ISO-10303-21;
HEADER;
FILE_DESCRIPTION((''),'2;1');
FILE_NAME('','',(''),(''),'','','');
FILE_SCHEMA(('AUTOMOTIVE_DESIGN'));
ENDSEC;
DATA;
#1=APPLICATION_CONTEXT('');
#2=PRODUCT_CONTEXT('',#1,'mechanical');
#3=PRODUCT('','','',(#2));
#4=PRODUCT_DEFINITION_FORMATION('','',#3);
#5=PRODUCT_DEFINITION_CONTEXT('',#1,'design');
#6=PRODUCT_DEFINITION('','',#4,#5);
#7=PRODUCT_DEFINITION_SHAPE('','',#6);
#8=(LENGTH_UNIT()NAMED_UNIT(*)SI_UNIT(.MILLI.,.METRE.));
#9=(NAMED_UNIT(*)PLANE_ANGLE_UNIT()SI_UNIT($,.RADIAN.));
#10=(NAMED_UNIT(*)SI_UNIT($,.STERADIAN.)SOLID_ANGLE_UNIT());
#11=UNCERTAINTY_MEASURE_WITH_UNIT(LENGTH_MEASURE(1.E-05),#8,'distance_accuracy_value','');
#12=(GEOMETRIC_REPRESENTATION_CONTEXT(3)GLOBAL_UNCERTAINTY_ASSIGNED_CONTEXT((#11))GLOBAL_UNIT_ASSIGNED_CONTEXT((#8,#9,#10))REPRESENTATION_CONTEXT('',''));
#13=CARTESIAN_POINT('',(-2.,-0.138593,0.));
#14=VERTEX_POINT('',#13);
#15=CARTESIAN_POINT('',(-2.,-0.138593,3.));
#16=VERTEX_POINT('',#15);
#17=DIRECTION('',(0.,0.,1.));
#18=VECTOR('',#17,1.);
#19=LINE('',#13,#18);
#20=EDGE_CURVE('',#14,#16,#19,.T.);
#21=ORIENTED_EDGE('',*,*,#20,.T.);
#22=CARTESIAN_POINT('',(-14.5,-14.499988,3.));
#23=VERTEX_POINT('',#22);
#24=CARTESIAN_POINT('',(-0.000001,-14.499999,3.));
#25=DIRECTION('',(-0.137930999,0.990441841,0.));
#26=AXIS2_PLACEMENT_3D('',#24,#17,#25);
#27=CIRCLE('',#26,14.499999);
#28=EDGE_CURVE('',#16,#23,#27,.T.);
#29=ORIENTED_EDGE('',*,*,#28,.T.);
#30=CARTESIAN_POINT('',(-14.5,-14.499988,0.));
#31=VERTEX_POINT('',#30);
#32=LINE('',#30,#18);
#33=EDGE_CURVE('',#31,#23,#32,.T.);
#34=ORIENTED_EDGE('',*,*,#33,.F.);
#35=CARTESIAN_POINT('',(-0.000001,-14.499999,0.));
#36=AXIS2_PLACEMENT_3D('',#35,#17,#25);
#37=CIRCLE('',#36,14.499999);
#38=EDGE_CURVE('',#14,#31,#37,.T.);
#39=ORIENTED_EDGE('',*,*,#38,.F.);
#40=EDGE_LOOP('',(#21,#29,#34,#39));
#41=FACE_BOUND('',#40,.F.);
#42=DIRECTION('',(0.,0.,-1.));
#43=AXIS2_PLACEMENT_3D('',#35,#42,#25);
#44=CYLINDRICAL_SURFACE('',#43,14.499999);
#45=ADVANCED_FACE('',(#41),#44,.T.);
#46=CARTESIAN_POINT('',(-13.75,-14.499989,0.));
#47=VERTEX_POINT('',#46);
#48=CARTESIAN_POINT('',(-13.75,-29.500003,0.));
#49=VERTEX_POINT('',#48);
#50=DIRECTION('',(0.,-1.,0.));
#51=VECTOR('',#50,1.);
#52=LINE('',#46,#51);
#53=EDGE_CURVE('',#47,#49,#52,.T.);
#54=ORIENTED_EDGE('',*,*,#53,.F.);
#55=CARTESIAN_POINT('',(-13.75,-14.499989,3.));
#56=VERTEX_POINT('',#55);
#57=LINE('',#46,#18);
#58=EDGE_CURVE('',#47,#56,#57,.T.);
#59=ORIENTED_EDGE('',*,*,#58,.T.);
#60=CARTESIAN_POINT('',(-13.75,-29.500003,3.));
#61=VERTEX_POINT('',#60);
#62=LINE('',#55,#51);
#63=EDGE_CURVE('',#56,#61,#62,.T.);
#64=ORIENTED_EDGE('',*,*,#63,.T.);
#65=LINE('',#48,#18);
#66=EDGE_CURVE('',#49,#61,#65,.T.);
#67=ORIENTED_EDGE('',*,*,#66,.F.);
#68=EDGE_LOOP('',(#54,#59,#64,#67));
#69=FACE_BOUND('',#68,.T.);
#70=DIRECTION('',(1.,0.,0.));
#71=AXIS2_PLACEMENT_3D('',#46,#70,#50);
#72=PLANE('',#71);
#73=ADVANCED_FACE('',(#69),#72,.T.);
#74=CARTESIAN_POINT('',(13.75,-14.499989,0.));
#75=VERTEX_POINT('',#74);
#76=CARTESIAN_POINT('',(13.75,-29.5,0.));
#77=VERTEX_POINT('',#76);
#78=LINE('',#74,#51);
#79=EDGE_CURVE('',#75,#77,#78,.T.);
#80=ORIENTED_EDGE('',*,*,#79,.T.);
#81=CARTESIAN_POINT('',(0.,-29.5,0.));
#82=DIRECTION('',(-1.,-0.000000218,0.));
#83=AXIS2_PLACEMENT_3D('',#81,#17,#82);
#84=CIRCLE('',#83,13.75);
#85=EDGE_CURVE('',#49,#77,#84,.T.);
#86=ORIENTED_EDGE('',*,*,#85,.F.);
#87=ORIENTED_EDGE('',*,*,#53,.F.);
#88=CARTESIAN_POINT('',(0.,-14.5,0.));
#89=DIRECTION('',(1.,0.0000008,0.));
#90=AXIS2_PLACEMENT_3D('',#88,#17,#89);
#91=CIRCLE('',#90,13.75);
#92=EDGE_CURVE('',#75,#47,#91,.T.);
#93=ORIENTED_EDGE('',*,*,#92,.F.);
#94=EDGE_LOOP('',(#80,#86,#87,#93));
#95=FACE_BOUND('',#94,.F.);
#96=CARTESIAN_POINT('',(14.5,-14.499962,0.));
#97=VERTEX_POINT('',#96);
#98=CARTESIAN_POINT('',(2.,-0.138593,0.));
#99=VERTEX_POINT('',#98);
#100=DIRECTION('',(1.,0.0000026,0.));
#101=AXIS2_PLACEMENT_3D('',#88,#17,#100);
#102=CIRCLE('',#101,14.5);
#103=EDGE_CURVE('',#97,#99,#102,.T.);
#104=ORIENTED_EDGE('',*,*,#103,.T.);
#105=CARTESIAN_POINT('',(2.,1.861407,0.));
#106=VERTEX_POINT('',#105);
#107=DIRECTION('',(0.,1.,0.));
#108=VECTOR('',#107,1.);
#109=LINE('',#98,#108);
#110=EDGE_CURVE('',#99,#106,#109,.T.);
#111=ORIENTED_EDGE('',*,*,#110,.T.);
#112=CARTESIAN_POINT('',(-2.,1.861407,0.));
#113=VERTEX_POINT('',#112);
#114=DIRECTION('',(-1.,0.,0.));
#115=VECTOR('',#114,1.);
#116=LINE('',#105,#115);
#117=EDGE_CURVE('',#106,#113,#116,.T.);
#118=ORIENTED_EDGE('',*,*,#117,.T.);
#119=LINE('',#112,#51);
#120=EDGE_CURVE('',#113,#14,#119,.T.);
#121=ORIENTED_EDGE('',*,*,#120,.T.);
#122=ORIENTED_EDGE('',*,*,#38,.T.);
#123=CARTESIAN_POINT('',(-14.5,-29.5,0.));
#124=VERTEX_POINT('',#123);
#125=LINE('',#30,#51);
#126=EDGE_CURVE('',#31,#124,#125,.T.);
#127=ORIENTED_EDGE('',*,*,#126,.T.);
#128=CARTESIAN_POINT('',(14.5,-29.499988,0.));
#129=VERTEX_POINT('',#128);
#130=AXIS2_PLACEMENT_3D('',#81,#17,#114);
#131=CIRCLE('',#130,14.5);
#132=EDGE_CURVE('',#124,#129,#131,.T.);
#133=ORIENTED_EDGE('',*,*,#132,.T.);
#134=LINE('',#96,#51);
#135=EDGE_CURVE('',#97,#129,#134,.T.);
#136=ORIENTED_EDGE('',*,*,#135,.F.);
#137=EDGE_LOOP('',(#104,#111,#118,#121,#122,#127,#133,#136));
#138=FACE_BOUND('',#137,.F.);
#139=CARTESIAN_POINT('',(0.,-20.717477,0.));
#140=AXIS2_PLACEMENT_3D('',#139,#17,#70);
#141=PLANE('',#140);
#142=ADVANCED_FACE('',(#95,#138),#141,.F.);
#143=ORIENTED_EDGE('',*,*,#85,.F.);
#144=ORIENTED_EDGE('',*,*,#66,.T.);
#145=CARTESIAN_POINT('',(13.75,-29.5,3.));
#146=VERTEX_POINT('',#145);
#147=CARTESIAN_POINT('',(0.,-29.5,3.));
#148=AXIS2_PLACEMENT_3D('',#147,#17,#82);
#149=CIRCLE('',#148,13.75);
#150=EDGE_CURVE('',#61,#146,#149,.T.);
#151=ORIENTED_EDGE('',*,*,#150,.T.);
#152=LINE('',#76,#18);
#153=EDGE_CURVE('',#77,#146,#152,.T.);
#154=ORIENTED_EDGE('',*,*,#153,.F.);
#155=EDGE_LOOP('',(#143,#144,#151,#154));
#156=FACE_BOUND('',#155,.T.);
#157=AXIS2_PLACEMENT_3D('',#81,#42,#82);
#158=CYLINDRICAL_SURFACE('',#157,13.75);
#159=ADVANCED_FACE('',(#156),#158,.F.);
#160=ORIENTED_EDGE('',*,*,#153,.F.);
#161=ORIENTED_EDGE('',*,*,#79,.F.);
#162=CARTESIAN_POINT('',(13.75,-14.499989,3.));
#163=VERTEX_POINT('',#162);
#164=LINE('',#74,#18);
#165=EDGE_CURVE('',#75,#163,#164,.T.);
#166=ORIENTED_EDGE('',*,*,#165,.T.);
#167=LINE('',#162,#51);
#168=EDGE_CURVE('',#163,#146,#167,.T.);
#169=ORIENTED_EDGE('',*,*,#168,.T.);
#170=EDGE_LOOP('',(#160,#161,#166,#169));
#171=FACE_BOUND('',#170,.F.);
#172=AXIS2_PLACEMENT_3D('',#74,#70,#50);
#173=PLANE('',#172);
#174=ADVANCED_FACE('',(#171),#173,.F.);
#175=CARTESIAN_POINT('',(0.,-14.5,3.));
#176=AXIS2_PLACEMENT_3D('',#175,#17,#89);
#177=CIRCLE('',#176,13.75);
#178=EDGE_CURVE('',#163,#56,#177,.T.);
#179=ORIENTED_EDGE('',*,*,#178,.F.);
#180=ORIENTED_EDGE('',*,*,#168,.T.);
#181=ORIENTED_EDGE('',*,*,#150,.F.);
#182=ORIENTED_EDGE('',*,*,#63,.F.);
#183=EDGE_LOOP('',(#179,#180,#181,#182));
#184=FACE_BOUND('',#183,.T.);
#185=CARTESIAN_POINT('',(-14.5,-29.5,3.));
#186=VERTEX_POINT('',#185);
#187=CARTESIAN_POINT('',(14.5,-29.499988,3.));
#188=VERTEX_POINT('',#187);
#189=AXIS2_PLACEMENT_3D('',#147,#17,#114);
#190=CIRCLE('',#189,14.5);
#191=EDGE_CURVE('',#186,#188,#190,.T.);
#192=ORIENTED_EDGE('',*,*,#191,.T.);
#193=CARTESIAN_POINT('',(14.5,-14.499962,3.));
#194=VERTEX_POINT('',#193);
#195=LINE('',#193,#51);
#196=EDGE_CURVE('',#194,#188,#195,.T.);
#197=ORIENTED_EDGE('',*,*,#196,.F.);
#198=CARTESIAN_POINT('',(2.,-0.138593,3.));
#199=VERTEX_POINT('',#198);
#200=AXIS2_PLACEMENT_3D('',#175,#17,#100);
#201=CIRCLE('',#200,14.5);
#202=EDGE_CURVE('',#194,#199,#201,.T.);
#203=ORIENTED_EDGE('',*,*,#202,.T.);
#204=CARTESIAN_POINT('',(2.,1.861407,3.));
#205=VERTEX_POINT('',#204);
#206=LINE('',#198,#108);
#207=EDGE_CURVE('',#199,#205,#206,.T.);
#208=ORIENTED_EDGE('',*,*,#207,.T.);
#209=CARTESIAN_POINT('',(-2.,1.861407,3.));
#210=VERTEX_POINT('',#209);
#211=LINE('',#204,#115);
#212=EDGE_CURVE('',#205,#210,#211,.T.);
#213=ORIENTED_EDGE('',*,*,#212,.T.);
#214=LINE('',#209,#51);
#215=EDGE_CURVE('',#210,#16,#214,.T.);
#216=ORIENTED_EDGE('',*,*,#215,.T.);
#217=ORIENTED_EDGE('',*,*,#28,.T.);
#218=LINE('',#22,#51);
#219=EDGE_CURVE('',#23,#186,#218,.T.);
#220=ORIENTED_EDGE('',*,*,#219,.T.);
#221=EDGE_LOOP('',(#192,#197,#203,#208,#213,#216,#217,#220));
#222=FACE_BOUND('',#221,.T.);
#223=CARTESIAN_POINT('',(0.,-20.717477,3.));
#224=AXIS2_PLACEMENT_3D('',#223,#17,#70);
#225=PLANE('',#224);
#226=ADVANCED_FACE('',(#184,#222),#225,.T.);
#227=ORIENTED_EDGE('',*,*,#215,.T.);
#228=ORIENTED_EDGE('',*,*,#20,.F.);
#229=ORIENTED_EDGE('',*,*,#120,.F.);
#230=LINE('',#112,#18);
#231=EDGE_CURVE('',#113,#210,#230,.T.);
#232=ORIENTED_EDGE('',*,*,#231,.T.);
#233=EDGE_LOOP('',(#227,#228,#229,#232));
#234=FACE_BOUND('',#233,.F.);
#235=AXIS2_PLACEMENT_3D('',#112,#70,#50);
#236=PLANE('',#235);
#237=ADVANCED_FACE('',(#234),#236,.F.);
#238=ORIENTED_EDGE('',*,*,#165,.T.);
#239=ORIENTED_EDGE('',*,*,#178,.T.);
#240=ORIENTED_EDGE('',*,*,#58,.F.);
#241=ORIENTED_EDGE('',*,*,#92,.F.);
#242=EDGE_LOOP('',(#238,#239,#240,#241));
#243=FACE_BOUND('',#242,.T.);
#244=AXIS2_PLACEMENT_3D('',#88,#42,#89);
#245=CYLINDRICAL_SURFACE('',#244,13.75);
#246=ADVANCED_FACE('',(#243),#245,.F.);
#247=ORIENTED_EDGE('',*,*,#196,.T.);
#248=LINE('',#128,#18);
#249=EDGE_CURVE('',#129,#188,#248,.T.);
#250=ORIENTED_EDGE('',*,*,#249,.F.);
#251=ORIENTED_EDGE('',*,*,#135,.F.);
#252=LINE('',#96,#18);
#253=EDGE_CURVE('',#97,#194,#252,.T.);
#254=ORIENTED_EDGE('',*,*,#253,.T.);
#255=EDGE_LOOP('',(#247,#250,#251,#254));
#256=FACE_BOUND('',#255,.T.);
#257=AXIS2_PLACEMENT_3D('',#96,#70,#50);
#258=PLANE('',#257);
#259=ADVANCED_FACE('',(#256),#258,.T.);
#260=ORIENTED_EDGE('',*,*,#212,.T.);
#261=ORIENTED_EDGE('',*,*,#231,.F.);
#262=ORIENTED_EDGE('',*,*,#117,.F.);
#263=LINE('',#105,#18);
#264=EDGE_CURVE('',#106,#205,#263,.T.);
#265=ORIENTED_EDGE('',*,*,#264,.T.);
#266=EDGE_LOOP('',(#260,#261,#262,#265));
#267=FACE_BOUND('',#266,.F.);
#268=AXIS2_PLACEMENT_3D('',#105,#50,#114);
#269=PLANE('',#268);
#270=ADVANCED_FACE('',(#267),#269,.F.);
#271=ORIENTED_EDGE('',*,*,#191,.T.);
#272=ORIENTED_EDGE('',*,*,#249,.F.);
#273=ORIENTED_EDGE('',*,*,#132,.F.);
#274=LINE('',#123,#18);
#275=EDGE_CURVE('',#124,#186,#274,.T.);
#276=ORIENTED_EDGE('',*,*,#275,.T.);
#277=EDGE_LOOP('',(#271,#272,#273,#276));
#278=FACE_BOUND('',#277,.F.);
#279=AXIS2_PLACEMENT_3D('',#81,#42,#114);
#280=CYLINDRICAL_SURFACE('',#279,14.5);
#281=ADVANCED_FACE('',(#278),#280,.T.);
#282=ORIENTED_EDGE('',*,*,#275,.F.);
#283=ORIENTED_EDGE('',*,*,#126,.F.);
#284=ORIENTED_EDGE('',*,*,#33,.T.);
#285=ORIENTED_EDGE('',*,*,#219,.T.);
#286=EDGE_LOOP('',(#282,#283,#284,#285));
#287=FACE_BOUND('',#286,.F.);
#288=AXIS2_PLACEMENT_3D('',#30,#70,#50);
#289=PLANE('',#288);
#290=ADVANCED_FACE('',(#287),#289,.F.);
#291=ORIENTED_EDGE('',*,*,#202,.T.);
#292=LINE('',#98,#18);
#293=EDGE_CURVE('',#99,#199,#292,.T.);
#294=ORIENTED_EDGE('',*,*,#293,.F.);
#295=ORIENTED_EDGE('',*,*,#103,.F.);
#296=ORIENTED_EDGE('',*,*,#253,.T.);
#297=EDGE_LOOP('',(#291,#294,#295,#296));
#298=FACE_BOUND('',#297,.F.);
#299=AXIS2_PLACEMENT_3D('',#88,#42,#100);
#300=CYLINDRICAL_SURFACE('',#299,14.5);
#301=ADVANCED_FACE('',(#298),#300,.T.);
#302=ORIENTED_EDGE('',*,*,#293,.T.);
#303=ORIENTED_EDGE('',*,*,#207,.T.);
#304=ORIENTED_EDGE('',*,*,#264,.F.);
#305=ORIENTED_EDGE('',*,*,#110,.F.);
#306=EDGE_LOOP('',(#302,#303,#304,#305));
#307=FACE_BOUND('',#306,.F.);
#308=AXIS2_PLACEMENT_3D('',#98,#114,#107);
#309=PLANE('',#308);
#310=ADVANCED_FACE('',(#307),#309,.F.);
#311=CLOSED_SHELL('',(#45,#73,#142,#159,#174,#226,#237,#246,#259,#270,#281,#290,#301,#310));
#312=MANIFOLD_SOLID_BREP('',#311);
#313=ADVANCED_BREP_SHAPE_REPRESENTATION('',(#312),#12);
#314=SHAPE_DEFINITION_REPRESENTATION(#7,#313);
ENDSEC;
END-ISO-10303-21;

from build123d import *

# Parameters (mm, degrees)
PAD_DEPTH = 3


with BuildPart() as part:
    # Sketch → Pad (new body)
    with BuildSketch(Plane.XY):
        with BuildLine():
            ThreePointArc((-2, -0.138593), (-10.937318, -4.980279), (-14.5, -14.499988))
            Line((-14.5, -14.499988), (-14.5, -29.5))
            ThreePointArc((-14.5, -29.5), (6e-06, -44), (14.5, -29.499988))
            Line((14.5, -14.499962), (14.5, -29.499988))
            ThreePointArc((14.5, -14.499962), (10.937309, -4.980269), (2, -0.138593))
            Line((2, -0.138593), (2, 1.861407))
            Line((2, 1.861407), (-2, 1.861407))
            Line((-2, 1.861407), (-2, -0.138593))
        make_face()
        with BuildLine():
            ThreePointArc((13.75, -14.499989), (0, -0.75), (-13.75, -14.499989))
            Line((-13.75, -14.499989), (-13.75, -29.500003))
            ThreePointArc((-13.75, -29.500003), (1e-06, -43.25), (13.75, -29.5))
            Line((13.75, -14.499989), (13.75, -29.5))
        make_face(mode=Mode.SUBTRACT)
    extrude(amount=PAD_DEPTH)


solid = part.part
